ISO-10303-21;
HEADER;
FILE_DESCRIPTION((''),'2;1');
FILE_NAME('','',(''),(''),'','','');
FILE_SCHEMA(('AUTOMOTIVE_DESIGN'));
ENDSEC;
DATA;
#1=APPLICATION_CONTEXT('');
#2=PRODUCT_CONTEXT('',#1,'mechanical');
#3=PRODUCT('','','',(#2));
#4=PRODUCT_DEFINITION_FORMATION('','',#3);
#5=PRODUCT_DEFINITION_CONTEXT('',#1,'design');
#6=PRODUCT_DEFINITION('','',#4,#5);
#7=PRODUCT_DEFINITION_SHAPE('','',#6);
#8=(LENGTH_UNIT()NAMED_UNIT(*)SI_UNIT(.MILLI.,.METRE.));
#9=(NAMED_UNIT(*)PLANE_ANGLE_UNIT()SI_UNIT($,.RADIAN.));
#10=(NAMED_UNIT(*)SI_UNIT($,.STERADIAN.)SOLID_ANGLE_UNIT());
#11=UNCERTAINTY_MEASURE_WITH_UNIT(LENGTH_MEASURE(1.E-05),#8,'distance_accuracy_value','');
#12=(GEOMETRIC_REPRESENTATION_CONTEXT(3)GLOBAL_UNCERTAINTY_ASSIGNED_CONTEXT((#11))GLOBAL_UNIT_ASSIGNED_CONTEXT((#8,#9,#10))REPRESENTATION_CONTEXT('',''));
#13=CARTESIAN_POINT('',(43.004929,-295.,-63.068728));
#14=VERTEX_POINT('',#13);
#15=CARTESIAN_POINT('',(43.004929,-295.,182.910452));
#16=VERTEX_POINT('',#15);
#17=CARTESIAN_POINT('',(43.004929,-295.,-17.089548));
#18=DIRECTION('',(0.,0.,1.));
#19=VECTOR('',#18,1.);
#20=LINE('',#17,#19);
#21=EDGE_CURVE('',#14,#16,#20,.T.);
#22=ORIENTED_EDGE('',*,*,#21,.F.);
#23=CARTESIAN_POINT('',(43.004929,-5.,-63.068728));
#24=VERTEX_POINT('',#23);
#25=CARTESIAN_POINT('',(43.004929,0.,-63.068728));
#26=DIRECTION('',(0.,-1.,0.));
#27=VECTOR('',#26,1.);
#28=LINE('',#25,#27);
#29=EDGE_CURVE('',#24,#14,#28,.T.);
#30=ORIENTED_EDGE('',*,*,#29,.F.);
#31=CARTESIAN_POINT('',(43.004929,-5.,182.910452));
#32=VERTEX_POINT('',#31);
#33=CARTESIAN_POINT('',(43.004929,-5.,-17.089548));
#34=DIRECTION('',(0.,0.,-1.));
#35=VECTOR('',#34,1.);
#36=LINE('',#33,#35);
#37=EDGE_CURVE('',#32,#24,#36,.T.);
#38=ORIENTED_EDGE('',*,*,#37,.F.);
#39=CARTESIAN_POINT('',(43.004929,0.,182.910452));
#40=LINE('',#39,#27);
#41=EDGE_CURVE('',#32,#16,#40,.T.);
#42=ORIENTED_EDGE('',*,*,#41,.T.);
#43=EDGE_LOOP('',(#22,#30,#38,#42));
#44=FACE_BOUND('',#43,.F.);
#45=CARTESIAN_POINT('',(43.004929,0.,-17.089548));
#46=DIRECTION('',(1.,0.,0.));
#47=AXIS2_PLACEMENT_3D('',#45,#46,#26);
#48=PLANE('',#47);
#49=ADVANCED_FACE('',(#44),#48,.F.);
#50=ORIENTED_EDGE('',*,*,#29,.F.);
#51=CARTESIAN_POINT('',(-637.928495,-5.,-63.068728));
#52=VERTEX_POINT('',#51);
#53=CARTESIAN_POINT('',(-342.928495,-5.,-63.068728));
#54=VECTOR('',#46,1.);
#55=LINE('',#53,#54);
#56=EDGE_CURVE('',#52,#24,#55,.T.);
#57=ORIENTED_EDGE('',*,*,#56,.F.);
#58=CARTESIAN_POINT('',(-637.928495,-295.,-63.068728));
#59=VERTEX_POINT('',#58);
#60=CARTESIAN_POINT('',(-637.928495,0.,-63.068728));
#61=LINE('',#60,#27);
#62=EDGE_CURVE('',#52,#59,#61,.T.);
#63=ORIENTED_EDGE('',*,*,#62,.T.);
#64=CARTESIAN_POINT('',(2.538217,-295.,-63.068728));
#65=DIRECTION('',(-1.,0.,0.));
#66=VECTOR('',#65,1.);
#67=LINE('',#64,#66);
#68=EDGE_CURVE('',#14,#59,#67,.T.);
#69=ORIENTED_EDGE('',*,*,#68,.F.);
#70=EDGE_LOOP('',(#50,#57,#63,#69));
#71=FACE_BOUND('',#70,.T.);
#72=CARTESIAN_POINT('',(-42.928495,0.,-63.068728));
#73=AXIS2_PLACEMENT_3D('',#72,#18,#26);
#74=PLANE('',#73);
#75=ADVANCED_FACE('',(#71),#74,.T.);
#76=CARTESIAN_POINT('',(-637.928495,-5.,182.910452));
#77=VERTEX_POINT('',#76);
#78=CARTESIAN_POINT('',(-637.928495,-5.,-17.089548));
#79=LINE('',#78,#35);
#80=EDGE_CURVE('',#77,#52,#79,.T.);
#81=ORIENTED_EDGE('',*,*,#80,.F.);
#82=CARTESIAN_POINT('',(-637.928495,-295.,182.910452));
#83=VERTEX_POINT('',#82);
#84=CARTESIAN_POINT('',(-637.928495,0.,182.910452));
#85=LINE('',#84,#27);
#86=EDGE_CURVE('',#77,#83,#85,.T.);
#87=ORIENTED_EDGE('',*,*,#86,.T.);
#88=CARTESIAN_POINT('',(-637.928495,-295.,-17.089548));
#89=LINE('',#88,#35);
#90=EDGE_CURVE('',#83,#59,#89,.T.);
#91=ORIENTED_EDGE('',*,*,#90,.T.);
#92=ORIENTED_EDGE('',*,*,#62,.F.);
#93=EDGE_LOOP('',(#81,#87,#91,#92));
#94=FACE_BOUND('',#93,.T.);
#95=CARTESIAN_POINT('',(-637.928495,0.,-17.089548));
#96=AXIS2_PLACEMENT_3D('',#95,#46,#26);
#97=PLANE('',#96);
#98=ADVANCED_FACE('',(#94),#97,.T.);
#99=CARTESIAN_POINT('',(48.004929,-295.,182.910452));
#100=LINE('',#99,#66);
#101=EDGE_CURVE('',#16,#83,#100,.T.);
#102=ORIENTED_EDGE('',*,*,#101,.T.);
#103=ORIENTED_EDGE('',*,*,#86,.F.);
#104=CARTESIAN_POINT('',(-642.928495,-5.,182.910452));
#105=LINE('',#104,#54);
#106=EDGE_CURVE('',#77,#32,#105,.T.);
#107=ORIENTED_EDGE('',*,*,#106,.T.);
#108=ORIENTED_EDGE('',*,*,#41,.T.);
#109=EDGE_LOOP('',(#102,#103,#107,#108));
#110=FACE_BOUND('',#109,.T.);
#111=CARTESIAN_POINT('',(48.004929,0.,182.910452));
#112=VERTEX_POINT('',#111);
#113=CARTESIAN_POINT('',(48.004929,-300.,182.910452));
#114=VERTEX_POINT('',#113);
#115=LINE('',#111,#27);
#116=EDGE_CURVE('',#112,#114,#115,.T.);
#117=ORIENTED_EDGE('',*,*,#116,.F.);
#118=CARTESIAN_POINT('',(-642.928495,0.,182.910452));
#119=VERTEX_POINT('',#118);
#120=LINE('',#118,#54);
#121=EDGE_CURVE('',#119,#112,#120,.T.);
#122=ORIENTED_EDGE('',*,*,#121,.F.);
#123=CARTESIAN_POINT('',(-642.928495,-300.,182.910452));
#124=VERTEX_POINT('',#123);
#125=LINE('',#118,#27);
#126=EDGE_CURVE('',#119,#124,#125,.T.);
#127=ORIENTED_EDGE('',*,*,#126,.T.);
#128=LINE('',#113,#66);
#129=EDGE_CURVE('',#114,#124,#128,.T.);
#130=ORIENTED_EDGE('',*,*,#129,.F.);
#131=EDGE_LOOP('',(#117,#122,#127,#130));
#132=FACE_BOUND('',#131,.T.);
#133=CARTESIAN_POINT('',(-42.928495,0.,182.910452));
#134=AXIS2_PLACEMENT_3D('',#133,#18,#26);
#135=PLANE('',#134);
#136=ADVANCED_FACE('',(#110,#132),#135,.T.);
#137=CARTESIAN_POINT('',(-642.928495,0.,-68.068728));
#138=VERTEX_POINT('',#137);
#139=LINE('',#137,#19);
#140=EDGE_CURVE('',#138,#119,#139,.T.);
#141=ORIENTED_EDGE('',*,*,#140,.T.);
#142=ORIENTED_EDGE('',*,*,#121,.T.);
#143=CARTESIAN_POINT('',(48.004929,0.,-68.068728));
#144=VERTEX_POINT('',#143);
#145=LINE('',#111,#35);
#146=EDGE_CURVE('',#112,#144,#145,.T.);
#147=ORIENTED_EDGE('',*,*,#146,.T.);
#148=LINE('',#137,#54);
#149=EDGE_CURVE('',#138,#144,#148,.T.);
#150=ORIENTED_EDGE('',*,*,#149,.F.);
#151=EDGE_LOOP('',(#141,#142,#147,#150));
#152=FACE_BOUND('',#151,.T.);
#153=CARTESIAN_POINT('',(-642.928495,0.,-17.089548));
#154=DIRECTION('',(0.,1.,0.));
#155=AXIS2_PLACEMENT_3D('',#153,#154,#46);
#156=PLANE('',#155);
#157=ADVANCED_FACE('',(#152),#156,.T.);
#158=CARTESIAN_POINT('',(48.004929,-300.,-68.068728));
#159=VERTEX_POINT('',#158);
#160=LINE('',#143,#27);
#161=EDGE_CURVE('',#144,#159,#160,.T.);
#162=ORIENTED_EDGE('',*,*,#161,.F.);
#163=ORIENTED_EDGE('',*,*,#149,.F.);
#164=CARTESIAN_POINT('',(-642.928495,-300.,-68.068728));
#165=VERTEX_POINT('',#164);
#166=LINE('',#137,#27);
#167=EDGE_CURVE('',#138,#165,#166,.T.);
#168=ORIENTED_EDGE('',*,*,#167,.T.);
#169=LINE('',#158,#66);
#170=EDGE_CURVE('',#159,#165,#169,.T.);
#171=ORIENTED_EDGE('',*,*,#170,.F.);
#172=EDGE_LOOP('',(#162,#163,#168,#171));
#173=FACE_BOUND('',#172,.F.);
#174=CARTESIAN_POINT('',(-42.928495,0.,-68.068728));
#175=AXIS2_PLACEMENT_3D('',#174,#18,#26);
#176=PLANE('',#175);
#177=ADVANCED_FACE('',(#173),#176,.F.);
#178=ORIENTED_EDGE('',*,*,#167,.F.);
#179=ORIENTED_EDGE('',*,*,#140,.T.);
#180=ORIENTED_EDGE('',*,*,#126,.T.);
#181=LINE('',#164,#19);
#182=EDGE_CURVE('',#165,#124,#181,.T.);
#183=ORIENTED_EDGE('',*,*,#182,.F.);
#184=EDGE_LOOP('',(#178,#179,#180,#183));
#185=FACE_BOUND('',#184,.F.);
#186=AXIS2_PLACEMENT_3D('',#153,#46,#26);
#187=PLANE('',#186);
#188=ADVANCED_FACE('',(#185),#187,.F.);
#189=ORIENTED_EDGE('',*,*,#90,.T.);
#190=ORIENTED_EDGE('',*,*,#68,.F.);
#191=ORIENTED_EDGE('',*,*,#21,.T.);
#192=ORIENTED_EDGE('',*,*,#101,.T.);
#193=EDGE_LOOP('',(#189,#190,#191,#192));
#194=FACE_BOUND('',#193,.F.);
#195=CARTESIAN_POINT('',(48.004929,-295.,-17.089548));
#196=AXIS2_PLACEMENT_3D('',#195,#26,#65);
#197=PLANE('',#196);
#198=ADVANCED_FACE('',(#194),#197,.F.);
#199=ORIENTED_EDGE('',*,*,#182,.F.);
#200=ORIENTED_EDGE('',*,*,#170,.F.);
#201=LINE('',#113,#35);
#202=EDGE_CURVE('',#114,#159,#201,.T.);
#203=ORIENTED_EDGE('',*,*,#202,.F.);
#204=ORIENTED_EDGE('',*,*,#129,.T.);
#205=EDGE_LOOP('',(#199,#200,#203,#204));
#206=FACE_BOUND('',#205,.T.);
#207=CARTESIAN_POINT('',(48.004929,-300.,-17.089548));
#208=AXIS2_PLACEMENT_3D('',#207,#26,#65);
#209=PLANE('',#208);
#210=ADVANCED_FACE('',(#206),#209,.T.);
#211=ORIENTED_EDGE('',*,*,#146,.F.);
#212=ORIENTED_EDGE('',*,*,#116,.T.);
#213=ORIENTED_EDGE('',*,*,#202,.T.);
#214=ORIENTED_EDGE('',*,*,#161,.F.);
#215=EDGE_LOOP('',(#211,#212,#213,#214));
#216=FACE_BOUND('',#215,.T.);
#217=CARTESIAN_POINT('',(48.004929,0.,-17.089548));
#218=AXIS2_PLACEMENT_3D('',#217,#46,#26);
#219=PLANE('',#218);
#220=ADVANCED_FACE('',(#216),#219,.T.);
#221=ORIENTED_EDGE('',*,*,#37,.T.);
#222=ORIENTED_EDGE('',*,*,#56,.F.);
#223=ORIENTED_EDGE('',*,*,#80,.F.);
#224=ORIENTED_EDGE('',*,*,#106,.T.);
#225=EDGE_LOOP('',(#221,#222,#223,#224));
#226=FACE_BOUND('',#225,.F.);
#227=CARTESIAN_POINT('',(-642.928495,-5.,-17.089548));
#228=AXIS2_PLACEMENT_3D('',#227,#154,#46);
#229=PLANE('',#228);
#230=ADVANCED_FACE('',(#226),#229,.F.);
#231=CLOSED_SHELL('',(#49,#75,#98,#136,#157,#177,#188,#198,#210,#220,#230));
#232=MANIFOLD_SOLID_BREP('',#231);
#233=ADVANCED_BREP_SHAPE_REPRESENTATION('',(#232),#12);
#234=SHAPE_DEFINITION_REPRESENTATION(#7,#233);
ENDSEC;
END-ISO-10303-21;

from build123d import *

# Parameters (mm, degrees)
F0_W     = 90.9334234893
F0_H     = 50.9791802615
F1_DEPTH = 300
F2_DEPTH = 600
F3_DEPTH = 200
F4_T     = -5


with BuildPart() as f1:
    # F0 (on Front) → F1 (new body)
    with BuildSketch(Plane.XZ):
        with Locations((2.5382172316, -42.5791377202)):
            Rectangle(F0_W, F0_H)
    extrude(amount=F1_DEPTH)

    # F2 (add): a face of the model
    f2_faces = [f1.faces().sort_by_distance(p)[0] for p in [
        (-42.928494513, -150, -42.5791377202),
    ]]
    extrude(f2_faces, amount=F2_DEPTH)

    # F3 (add): a face of the model
    f3_faces = [f1.faces().sort_by_distance(p)[0] for p in [
        (-297.4617827684, -150, -17.0895475894),
    ]]
    extrude(f3_faces, amount=F3_DEPTH)

    # F4
    f4_openings = [f1.faces().sort_by_distance(p)[0] for p in [
        (-297.461783, -150, 182.910452),
    ]]
    offset(amount=F4_T, openings=f4_openings)


solid = f1.part
